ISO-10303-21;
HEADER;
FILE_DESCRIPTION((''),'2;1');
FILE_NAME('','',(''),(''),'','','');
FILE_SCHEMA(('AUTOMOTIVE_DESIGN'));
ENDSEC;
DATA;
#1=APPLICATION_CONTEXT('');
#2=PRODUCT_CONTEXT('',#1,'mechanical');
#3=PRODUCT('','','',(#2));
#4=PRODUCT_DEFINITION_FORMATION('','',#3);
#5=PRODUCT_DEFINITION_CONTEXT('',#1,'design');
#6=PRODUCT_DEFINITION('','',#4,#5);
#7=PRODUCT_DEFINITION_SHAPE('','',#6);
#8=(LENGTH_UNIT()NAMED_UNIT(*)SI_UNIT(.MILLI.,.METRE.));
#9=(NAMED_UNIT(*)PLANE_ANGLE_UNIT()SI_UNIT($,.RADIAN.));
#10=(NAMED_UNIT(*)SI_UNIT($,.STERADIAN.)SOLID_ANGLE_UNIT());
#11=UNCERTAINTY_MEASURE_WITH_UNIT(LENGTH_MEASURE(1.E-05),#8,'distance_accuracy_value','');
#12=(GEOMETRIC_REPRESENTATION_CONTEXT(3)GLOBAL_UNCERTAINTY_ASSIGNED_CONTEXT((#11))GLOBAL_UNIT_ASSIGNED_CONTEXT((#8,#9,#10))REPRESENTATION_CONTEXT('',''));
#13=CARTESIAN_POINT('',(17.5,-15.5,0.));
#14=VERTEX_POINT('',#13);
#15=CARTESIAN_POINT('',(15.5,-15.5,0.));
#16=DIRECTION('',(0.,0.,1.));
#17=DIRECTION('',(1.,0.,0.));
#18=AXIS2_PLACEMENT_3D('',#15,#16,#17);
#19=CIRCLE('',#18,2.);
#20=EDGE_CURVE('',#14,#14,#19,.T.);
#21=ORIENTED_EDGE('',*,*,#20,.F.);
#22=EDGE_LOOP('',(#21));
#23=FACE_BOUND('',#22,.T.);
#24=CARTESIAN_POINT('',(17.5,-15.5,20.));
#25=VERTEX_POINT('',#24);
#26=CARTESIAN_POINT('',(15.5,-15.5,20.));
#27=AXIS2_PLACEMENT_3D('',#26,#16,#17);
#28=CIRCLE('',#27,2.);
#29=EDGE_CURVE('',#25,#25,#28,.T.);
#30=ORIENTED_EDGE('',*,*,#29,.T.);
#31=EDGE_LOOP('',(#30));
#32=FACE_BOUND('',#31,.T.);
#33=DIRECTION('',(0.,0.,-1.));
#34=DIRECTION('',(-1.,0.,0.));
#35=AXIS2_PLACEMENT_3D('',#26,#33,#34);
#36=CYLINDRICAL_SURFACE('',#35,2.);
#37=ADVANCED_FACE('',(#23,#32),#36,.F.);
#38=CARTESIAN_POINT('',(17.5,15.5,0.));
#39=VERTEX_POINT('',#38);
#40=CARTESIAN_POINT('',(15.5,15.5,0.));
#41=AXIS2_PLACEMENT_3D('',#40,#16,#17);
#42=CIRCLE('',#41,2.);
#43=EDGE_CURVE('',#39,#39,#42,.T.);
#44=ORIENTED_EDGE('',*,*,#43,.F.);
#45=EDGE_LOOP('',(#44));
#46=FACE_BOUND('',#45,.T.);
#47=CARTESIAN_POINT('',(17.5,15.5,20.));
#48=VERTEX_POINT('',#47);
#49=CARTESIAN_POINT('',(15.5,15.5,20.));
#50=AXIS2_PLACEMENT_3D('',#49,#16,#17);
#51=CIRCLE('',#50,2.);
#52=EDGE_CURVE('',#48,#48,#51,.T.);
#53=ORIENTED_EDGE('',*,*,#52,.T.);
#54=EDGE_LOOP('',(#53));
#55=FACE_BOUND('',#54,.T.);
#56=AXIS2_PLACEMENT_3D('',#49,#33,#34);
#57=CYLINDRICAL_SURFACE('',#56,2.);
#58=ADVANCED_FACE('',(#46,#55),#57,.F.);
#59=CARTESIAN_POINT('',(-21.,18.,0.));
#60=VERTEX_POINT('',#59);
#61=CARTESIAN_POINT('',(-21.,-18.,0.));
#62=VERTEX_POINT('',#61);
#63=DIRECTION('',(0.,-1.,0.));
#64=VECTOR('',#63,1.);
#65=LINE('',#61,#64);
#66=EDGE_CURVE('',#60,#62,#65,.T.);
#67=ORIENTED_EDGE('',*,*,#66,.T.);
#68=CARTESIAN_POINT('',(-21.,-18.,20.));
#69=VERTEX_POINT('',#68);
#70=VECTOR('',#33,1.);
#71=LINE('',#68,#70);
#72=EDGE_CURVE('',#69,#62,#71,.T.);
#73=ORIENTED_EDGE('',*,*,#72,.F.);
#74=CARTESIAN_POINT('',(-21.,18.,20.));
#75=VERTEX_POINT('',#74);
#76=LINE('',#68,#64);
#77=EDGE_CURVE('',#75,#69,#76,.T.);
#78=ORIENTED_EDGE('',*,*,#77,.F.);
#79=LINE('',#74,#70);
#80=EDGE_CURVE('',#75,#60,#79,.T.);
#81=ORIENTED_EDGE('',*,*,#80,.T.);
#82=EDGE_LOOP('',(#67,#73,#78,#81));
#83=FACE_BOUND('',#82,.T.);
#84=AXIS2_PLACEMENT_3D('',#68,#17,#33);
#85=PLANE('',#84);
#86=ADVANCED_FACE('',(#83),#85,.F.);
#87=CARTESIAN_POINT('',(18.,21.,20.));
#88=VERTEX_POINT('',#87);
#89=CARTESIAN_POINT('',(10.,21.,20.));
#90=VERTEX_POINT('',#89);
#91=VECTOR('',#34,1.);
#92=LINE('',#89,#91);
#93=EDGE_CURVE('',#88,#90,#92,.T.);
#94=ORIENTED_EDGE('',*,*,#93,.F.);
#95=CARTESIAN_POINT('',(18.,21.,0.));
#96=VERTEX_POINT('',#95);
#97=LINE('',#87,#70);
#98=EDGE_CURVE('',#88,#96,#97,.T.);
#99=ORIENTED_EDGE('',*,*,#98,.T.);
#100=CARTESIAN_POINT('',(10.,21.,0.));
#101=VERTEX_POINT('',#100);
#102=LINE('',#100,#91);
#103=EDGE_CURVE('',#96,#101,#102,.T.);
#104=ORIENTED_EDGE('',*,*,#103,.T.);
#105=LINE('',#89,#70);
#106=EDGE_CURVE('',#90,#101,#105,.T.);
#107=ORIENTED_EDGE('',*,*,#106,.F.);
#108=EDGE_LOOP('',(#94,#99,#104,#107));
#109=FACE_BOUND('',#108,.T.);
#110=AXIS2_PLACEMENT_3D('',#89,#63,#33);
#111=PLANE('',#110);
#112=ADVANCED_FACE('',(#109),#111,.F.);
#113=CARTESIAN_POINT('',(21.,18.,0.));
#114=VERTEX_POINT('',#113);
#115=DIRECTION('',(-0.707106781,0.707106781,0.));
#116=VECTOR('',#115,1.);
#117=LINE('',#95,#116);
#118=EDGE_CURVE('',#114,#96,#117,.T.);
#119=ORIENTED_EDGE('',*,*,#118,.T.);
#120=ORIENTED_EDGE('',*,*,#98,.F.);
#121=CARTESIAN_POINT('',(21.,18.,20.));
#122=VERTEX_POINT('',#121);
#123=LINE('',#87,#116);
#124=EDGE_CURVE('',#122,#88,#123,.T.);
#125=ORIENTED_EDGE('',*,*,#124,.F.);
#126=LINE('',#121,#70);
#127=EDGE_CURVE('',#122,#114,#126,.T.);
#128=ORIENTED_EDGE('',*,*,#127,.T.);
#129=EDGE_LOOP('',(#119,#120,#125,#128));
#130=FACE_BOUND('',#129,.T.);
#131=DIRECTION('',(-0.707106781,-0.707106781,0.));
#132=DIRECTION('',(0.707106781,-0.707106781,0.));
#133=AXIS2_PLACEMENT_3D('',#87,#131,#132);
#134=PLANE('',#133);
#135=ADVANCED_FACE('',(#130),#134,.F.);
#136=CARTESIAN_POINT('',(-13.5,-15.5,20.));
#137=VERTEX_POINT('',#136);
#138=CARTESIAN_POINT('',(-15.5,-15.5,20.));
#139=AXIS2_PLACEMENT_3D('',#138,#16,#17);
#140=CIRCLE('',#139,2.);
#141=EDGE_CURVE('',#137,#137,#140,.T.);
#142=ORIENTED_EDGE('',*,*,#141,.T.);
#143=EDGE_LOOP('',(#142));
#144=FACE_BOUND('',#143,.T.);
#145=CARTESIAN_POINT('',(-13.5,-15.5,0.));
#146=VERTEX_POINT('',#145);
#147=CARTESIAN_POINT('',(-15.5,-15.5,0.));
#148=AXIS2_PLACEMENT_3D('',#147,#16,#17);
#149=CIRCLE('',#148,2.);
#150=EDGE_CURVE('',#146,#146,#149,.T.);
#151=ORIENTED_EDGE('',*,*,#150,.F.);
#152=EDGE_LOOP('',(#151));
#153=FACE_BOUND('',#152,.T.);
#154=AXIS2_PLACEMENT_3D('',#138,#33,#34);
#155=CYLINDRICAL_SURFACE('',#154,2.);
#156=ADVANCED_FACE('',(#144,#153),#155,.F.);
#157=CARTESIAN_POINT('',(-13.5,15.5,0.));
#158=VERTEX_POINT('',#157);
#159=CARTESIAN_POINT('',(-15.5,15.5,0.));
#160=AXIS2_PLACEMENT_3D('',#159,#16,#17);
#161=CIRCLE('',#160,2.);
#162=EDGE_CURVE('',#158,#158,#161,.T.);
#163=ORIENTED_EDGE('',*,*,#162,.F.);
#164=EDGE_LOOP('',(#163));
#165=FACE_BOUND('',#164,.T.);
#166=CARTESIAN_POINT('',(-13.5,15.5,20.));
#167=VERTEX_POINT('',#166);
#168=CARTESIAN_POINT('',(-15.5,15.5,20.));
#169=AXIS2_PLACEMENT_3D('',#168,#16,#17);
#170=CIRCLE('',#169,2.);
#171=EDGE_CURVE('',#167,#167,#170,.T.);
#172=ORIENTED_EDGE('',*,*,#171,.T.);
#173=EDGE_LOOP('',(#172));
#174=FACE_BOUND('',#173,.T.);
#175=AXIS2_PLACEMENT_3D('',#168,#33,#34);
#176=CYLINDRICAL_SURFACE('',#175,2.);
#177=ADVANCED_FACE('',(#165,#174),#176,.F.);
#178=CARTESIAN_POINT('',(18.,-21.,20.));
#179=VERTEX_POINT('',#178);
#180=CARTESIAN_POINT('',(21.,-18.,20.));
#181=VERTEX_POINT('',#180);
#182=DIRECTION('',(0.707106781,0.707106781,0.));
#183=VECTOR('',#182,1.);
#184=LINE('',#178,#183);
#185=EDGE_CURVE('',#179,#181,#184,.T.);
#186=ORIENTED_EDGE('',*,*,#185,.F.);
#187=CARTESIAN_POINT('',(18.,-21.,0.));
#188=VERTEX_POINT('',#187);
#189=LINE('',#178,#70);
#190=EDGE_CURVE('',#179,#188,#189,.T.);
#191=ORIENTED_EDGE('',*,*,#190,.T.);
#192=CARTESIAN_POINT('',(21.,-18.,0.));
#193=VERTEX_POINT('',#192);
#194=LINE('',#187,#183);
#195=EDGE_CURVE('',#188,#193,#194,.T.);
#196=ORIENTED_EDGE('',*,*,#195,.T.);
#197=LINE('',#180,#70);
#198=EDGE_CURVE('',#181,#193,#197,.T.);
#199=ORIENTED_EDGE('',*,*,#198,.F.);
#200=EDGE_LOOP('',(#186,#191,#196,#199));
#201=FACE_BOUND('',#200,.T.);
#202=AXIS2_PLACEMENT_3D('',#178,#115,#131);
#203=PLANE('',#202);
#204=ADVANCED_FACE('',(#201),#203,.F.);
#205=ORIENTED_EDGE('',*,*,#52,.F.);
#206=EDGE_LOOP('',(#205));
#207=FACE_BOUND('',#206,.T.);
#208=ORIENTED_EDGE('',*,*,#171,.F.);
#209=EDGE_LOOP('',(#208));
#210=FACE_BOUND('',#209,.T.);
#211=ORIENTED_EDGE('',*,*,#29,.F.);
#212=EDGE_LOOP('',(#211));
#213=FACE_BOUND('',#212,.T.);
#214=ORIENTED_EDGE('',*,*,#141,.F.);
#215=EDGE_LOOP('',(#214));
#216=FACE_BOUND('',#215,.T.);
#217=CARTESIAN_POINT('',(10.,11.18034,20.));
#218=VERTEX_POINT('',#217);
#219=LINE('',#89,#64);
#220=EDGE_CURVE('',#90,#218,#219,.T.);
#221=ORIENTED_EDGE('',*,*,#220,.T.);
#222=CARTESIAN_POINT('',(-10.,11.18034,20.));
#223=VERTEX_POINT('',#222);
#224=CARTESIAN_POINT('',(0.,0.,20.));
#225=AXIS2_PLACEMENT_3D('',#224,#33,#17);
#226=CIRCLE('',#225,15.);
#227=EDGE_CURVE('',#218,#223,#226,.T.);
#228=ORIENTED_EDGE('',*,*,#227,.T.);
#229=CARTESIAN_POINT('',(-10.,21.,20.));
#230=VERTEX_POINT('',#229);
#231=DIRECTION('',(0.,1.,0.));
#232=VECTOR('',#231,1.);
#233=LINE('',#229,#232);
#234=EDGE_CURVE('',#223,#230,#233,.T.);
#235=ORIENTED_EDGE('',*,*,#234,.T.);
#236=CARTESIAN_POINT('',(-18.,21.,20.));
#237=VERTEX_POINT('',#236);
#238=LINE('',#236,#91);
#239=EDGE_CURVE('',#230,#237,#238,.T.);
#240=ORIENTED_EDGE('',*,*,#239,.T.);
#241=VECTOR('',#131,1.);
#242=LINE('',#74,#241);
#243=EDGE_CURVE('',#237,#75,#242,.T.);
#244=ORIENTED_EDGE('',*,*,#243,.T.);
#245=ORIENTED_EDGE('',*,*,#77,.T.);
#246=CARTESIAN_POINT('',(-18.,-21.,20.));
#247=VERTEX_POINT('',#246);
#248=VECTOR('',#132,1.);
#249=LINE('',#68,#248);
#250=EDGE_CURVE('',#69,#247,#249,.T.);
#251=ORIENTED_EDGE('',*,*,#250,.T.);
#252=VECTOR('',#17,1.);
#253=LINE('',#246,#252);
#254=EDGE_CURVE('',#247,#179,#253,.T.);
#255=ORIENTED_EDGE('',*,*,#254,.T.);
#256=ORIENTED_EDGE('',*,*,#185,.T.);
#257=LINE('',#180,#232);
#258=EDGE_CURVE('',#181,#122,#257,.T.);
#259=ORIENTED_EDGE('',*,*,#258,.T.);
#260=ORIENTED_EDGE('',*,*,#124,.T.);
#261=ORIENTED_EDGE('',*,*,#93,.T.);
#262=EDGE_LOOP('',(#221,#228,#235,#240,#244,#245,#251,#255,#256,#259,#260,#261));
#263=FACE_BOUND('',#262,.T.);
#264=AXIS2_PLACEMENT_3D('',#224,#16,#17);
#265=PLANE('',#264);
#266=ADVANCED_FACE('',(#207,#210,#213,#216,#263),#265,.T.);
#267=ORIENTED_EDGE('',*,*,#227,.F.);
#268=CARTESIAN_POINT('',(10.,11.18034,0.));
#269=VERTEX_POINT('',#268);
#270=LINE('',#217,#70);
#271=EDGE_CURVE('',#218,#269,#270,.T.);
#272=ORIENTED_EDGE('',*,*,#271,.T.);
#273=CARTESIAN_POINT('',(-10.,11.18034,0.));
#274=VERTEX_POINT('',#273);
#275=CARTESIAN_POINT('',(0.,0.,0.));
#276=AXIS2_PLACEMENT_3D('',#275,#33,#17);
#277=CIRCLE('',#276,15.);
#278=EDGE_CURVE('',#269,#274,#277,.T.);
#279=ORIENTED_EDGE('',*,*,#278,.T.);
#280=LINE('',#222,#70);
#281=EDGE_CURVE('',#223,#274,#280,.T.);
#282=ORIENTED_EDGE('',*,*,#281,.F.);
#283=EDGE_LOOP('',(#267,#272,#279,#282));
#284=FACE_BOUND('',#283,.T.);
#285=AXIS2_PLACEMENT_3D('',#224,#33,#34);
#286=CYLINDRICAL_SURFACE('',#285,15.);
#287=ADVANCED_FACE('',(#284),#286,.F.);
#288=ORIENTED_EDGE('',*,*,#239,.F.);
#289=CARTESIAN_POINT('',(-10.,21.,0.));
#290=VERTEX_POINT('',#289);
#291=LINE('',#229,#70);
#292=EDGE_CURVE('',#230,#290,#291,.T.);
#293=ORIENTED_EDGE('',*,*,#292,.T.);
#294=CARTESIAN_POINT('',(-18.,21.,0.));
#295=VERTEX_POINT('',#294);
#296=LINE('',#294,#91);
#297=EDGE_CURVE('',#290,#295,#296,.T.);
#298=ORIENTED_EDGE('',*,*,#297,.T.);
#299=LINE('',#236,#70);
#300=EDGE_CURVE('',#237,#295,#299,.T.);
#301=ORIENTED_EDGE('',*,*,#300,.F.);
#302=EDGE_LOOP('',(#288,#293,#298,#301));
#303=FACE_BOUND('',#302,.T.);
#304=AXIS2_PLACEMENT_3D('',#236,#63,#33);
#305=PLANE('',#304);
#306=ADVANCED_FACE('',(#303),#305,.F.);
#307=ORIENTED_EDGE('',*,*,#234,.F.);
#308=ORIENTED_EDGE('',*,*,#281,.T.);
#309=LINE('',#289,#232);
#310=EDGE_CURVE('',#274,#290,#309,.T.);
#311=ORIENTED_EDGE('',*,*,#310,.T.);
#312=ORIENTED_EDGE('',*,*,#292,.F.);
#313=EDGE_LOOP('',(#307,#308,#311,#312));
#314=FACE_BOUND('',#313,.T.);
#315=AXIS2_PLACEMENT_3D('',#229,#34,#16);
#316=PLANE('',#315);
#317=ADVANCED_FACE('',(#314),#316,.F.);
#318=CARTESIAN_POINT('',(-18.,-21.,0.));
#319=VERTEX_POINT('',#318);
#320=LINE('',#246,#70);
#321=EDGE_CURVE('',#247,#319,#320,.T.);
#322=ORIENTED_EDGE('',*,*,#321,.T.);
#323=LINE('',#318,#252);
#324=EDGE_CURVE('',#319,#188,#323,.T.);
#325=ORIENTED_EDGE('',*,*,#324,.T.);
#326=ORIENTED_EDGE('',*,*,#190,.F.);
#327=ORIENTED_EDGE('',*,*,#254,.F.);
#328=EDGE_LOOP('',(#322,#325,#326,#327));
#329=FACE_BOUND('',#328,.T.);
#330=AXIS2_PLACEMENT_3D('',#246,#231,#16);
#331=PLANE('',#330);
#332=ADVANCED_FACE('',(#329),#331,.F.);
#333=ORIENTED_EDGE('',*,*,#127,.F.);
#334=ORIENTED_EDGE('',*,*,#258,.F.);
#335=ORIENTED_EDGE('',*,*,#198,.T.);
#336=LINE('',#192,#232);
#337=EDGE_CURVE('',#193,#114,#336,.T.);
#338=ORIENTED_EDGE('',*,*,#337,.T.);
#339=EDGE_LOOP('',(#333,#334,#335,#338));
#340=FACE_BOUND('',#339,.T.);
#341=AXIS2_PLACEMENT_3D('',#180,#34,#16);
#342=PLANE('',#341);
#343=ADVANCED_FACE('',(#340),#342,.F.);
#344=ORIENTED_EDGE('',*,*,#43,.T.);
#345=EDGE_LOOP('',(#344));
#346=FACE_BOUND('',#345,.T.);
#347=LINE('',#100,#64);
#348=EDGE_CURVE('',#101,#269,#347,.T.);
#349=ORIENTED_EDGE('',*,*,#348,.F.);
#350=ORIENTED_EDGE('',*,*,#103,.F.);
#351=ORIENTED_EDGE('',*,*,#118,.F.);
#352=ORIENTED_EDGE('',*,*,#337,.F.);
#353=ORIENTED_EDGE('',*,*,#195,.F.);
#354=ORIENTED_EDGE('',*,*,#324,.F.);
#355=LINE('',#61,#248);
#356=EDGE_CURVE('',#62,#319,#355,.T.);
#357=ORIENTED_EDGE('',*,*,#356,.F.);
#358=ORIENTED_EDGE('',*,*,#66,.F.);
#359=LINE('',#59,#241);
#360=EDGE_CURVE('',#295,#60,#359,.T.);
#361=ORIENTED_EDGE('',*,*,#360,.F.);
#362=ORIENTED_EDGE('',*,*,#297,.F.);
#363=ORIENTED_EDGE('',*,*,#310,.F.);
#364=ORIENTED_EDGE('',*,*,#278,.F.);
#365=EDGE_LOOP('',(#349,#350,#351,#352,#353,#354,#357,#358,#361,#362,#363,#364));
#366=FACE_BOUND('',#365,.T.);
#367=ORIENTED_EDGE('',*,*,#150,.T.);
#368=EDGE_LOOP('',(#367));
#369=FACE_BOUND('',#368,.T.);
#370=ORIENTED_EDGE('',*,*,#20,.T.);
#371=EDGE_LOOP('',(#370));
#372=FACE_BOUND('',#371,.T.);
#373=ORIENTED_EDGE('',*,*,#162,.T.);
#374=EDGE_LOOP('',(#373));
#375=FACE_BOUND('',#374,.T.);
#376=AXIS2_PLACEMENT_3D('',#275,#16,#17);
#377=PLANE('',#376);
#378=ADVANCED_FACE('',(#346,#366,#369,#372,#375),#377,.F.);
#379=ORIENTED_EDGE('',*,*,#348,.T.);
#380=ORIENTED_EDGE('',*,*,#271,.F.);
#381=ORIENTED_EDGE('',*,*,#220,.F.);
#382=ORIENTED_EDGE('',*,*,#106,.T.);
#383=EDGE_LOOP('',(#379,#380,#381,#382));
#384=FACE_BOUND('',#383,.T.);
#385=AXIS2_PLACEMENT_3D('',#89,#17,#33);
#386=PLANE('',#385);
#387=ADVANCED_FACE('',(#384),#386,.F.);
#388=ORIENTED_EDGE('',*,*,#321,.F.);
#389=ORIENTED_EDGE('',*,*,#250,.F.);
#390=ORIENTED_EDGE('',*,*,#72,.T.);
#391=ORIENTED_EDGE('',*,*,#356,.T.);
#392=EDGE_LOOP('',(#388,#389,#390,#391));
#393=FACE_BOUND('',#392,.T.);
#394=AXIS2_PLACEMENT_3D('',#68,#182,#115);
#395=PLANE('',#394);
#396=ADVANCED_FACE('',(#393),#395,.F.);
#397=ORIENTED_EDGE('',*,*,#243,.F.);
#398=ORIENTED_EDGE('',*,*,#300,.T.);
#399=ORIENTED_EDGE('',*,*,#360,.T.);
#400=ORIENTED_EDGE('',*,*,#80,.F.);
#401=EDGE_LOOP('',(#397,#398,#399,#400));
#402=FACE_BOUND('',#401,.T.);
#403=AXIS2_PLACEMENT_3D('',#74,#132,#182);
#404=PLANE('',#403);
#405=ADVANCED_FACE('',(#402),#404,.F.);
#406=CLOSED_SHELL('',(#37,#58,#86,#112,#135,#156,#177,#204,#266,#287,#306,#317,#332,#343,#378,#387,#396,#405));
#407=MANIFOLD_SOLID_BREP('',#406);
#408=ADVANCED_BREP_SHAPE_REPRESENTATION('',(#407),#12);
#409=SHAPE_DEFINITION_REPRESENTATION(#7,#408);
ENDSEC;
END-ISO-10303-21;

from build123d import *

# Parameters (mm, degrees)
SKETCH_1_R      = 2
EXTRUDE_1_DEPTH = 20


with BuildPart() as part:
    # 草图1 → 凸台-拉伸1 (new body)
    with BuildSketch(Plane.XY):
        with BuildLine():
            Line((-21, 18), (-18, 21))
            Line((-18, 21), (-10, 21))
            Line((-10, 21), (-10, 11.180339887))
            ThreePointArc((-10, 11.180339887), (0, -15), (10, 11.180339887))
            Line((10, 11.180339887), (10, 21))
            Line((10, 21), (18, 21))
            Line((18, 21), (21, 18))
            Line((21, 18), (21, -18))
            Line((21, -18), (18, -21))
            Line((18, -21), (-18, -21))
            Line((-18, -21), (-21, -18))
            Line((-21, -18), (-21, 18))
        make_face()
        with Locations((15.5, 15.5)):
            Circle(SKETCH_1_R, mode=Mode.SUBTRACT)
        with Locations((15.5, -15.5)):
            Circle(SKETCH_1_R, mode=Mode.SUBTRACT)
        with Locations((-15.5, -15.5)):
            Circle(SKETCH_1_R, mode=Mode.SUBTRACT)
        with Locations((-15.5, 15.5)):
            Circle(SKETCH_1_R, mode=Mode.SUBTRACT)
    extrude(amount=EXTRUDE_1_DEPTH)


solid = part.part
